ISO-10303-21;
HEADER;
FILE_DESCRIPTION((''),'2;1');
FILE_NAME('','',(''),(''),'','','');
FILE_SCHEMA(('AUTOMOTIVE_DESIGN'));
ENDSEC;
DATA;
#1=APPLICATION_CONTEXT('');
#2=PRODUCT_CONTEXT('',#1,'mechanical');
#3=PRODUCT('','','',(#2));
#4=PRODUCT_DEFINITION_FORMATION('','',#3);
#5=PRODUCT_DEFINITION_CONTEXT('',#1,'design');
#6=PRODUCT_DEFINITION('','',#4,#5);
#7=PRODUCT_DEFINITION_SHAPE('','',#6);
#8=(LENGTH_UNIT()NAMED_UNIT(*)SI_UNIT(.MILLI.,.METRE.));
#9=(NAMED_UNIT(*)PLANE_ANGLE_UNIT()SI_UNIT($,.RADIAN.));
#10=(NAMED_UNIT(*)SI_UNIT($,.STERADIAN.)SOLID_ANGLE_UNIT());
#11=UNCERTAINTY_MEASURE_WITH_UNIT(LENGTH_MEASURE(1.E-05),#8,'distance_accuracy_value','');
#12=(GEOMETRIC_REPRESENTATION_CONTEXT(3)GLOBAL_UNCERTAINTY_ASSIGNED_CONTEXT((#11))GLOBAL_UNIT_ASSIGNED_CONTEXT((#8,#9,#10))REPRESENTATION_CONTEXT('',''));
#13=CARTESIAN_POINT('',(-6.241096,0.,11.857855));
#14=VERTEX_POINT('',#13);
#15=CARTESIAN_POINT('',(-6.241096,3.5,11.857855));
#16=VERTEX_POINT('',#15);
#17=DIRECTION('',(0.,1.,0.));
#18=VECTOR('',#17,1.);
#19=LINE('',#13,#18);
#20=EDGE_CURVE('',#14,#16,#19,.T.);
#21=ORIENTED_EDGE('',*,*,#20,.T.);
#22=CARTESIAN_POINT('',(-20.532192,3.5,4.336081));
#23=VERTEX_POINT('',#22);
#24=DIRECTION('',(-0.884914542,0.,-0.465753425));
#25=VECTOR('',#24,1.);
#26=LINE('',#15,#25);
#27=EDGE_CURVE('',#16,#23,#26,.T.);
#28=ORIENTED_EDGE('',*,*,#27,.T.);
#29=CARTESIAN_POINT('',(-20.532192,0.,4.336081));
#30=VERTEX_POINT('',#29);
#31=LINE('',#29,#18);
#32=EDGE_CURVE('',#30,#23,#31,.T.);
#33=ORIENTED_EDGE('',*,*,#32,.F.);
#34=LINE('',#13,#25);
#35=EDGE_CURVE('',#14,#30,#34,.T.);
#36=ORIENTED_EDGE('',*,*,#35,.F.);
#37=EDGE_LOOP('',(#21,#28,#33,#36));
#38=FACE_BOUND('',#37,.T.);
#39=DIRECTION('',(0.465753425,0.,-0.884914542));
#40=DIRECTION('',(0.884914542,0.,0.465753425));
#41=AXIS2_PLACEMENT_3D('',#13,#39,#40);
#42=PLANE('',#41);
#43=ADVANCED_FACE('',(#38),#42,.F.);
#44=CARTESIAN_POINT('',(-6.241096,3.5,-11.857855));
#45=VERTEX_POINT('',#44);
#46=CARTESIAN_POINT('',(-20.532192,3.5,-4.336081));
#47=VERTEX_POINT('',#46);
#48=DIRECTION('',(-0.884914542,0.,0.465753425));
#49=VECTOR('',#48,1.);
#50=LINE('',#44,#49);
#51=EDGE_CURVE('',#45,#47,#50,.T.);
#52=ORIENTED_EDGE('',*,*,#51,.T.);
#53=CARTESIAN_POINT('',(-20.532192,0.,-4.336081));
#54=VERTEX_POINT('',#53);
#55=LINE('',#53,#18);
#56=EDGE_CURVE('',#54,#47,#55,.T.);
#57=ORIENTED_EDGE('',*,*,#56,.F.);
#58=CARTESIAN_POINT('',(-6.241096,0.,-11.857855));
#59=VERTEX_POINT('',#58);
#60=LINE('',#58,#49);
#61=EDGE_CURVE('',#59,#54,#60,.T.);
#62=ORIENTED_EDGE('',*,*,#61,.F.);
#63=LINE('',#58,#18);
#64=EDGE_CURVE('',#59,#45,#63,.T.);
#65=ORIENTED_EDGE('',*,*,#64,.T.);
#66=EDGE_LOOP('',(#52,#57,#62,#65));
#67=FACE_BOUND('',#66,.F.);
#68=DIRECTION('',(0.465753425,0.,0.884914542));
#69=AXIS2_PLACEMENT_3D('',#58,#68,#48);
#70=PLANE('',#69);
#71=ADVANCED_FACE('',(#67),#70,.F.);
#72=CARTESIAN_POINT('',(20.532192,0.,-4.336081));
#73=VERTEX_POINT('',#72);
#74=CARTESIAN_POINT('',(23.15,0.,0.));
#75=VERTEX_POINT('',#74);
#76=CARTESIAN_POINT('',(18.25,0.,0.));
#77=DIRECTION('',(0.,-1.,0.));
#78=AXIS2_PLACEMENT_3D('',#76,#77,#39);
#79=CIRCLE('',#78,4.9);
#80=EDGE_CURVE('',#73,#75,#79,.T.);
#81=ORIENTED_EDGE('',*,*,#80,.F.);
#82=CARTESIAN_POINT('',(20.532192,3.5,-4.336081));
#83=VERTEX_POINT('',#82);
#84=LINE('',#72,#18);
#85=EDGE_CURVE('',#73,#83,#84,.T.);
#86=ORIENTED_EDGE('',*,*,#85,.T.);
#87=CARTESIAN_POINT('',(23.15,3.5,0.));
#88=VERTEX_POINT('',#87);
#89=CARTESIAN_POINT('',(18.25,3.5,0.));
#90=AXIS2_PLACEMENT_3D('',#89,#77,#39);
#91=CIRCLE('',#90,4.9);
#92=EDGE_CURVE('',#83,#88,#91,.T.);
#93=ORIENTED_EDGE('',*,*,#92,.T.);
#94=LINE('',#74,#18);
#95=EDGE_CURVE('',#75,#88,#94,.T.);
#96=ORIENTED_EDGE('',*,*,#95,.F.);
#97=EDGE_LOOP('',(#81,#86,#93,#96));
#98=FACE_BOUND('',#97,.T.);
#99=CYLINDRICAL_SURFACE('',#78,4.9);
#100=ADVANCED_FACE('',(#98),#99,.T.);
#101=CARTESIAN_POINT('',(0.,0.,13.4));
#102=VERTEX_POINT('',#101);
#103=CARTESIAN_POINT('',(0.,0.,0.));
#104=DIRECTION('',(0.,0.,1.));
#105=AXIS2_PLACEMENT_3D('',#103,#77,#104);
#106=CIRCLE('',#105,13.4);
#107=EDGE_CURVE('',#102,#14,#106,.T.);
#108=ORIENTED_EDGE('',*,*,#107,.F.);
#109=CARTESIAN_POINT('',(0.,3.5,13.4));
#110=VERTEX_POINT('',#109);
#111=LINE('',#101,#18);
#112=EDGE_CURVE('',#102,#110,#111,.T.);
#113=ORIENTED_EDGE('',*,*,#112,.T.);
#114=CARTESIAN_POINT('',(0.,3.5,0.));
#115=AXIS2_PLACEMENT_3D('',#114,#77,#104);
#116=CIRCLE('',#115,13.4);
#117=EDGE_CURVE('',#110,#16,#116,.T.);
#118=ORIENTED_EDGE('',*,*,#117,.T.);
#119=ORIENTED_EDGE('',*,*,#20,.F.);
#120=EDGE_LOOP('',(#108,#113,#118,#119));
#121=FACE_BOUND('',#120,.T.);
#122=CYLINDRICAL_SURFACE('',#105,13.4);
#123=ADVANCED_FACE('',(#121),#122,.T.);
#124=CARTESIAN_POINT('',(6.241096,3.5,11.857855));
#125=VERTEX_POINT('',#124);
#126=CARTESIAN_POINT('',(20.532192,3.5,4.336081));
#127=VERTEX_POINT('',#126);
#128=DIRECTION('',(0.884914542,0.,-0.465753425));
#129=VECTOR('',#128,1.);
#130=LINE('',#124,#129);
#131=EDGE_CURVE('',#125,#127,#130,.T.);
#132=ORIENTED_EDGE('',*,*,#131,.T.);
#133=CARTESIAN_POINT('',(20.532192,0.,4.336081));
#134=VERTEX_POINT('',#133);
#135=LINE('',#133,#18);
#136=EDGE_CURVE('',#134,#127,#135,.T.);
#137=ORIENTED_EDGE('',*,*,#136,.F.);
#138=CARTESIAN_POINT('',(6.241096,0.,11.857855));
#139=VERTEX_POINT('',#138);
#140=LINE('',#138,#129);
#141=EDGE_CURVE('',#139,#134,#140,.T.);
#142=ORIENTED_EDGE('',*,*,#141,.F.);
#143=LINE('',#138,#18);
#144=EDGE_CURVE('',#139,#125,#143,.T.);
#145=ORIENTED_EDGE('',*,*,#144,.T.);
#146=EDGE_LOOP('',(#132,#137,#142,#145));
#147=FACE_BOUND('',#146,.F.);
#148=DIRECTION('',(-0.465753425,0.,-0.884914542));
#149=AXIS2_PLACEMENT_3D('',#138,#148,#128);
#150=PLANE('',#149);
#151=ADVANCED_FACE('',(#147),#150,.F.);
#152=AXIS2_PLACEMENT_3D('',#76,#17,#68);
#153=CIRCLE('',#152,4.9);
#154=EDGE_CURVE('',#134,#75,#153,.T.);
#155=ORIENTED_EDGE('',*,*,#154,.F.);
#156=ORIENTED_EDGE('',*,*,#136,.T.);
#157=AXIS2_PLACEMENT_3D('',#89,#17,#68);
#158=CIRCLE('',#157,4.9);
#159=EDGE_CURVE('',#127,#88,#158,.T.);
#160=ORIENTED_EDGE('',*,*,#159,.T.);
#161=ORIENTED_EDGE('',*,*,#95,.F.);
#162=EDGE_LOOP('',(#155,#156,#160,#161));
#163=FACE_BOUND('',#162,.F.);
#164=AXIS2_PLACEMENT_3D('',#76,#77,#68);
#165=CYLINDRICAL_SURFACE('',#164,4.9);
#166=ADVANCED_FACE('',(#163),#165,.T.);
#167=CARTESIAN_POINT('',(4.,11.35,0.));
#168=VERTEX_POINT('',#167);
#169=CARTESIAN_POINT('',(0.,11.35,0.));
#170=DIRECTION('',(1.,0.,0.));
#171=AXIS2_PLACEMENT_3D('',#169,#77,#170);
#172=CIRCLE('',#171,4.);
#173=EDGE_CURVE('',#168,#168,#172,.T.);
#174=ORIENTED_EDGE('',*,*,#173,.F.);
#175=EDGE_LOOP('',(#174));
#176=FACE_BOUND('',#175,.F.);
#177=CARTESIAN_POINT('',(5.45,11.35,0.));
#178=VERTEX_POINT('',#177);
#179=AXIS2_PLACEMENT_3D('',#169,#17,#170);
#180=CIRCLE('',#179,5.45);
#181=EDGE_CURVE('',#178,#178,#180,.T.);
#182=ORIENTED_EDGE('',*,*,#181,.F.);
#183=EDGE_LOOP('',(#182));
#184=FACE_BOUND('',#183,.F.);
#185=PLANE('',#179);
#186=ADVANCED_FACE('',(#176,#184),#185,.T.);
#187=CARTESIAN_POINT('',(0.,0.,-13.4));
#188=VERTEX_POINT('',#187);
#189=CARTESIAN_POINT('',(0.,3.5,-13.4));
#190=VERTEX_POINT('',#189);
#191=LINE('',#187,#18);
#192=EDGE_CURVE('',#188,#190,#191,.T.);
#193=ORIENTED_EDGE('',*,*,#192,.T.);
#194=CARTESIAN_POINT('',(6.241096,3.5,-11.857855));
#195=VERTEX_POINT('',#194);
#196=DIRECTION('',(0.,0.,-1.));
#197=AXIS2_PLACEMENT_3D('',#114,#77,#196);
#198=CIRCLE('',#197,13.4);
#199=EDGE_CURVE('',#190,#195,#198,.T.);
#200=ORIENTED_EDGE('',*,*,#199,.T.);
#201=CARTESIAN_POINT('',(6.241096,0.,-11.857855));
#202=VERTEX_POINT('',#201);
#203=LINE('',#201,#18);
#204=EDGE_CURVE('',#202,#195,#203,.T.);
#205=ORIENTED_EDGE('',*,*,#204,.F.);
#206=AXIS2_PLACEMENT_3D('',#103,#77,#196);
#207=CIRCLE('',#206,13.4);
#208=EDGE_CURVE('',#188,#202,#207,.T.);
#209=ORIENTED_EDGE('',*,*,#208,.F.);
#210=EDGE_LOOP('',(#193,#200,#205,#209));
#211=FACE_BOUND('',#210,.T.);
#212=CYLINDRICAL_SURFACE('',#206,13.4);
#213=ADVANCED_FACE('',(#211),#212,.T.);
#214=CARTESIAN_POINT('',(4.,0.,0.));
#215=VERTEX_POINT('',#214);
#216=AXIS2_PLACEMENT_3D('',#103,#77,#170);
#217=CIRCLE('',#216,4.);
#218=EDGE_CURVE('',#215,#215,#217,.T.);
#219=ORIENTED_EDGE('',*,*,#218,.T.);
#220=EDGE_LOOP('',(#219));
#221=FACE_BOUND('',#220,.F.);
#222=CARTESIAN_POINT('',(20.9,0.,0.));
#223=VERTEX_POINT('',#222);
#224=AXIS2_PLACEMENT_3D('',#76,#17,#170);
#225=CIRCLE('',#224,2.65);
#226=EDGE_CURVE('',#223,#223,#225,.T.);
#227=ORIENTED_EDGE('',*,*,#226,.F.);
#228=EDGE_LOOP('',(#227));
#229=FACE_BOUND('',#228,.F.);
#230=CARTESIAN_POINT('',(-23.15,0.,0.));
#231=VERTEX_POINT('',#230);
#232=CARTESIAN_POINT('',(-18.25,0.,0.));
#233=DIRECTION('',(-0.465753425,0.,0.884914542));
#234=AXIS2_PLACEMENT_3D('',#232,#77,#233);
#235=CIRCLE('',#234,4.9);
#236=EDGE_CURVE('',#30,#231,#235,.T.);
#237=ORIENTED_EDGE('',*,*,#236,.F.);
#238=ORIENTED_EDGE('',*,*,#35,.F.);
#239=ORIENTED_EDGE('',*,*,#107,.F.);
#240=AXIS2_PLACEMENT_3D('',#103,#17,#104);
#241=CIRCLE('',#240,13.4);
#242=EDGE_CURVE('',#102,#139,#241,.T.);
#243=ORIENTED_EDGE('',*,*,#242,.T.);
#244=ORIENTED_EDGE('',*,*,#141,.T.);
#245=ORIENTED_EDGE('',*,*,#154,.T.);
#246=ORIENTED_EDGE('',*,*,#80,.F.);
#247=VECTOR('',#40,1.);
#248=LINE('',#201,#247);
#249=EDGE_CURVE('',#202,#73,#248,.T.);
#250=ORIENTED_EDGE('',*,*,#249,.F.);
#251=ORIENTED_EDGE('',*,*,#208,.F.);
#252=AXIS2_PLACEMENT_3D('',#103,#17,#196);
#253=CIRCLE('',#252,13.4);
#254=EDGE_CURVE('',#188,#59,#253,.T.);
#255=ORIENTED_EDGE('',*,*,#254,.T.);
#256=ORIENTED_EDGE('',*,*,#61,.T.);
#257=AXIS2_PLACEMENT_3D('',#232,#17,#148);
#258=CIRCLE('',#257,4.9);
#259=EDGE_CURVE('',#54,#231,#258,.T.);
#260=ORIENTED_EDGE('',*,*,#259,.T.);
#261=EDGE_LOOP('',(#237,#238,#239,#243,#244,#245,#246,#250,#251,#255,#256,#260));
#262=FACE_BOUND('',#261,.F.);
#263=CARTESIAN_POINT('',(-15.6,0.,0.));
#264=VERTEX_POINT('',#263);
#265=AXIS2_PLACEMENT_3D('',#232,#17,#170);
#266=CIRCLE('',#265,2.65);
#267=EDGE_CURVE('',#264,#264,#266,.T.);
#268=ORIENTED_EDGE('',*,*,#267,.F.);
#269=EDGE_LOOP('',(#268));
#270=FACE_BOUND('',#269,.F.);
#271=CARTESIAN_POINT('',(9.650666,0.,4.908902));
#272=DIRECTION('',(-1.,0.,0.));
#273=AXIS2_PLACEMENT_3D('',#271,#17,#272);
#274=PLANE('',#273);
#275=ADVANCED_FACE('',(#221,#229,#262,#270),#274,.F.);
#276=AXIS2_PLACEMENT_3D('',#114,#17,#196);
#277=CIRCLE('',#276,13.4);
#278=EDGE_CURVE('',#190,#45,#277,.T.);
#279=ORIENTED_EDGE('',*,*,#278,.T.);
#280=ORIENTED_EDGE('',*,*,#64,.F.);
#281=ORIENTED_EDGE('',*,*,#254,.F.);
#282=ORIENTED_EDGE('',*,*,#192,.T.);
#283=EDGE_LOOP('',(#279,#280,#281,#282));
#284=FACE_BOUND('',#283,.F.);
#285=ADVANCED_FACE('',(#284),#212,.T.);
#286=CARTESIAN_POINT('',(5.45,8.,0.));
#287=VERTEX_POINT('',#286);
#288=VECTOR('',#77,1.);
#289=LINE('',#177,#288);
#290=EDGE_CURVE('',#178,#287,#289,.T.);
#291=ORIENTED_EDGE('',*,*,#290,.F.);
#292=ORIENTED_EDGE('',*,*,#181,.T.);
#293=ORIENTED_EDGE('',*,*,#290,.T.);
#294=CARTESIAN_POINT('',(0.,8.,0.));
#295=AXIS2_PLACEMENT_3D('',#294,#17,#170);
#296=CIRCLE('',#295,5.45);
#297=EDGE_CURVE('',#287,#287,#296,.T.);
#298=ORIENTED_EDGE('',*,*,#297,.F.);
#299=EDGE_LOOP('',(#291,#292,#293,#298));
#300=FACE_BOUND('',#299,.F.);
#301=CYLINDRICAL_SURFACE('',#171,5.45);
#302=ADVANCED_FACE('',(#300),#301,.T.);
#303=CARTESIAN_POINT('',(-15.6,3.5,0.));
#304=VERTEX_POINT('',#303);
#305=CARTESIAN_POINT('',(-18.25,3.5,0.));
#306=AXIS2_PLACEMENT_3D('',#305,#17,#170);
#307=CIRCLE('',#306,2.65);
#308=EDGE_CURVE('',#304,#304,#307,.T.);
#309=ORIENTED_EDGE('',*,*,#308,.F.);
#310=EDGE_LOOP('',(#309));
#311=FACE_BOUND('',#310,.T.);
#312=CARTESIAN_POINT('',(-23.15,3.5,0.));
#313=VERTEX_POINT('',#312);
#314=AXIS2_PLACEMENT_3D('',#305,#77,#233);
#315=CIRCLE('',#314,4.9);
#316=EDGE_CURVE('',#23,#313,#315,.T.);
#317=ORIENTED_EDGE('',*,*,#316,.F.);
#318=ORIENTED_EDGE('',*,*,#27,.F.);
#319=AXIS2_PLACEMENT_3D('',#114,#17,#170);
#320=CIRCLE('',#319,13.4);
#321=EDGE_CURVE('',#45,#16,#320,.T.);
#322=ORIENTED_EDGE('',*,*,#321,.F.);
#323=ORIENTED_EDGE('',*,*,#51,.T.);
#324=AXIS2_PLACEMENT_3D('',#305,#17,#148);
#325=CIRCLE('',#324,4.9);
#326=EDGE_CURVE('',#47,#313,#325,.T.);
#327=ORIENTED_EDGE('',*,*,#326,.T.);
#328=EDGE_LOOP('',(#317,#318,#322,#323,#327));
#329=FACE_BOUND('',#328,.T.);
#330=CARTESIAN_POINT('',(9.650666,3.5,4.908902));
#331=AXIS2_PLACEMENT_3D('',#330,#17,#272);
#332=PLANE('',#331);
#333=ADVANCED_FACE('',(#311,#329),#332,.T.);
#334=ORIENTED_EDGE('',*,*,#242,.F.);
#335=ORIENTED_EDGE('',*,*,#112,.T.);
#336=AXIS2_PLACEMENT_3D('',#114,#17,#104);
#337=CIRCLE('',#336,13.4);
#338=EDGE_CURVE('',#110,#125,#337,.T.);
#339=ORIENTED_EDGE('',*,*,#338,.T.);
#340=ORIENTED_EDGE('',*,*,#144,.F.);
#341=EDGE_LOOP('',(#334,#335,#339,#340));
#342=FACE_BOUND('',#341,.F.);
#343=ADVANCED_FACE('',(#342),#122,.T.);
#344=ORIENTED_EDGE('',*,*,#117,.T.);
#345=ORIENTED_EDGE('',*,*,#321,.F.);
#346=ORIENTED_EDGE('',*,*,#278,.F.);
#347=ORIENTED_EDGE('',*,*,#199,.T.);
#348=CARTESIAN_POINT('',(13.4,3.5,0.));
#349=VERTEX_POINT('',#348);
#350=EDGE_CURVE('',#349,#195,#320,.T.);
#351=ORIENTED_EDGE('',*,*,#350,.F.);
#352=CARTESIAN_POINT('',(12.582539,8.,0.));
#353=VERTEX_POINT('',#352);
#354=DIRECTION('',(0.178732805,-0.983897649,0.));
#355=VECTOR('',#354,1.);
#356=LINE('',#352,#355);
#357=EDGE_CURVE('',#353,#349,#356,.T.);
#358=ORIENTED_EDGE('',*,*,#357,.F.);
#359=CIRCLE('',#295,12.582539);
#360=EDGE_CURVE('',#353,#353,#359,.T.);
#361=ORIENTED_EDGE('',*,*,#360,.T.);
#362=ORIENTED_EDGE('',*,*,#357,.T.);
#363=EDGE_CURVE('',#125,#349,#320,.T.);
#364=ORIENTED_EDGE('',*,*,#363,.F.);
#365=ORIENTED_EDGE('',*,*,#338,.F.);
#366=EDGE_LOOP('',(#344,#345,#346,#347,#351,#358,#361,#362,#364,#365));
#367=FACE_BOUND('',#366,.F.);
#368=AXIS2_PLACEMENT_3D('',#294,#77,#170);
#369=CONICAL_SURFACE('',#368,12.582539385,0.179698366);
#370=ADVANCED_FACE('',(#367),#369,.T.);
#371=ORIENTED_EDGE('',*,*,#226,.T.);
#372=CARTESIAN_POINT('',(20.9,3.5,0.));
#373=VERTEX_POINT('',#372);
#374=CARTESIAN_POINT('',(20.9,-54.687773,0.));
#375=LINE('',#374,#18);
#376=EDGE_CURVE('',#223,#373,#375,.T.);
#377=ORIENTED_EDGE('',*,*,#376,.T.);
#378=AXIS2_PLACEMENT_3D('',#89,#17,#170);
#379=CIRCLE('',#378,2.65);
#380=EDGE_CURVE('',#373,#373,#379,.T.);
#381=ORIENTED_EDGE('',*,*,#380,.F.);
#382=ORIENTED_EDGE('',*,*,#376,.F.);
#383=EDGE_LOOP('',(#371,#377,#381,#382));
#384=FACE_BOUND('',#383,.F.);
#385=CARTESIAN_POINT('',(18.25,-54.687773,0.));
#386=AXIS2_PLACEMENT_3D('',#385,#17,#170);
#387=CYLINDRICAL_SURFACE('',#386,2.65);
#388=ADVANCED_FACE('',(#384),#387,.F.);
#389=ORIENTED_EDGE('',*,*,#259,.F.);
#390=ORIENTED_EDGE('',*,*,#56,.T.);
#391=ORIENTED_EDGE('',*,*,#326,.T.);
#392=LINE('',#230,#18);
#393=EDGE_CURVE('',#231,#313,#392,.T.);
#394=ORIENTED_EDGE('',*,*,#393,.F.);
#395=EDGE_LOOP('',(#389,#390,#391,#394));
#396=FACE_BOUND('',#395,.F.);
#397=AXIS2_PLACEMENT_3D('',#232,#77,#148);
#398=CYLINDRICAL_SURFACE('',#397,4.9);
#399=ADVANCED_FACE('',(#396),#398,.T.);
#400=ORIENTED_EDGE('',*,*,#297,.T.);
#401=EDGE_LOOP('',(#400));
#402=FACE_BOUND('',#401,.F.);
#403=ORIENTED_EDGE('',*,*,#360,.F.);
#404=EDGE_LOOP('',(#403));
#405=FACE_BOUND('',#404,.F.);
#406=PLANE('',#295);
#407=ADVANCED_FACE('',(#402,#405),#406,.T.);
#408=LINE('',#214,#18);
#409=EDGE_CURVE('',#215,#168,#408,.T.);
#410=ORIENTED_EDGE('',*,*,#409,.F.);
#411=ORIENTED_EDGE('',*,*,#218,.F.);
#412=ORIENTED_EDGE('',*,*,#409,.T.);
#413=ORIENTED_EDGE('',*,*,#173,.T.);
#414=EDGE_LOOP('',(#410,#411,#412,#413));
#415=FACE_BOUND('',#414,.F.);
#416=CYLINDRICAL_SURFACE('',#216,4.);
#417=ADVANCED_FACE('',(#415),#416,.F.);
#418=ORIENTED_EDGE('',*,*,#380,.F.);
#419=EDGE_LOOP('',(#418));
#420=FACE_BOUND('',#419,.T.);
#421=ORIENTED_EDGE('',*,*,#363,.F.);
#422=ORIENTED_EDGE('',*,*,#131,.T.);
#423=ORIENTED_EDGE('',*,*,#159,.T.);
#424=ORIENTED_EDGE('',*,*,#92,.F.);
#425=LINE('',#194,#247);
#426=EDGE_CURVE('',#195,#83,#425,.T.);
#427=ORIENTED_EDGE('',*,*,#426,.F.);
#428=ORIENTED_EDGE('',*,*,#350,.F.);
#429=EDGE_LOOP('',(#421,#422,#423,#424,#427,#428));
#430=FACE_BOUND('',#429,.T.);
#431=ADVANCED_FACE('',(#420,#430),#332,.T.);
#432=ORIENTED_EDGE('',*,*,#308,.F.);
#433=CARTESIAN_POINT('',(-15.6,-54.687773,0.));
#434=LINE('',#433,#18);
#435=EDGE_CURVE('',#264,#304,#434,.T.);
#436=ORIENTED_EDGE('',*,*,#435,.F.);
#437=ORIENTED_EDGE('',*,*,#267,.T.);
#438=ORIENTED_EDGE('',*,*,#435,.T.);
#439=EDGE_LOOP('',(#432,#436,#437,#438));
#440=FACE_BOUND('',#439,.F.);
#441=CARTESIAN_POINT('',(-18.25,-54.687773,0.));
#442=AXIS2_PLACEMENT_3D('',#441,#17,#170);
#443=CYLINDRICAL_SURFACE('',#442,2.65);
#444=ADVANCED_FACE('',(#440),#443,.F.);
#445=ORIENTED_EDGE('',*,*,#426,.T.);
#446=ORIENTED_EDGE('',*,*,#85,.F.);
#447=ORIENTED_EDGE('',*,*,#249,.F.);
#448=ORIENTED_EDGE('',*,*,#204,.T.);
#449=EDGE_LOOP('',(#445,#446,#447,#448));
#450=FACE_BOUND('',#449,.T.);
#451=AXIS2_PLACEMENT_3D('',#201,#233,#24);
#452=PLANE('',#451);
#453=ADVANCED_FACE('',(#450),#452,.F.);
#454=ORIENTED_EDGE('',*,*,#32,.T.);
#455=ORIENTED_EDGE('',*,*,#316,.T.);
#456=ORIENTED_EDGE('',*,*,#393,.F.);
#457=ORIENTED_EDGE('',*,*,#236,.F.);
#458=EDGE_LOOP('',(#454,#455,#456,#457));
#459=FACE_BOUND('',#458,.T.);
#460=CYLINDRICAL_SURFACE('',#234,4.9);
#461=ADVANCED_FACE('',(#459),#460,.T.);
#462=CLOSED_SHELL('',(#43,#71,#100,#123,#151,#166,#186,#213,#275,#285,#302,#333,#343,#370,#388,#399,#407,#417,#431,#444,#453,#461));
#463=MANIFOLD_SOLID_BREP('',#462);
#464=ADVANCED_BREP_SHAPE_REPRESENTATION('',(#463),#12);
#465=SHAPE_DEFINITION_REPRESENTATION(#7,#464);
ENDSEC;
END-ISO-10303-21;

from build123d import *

# Parameters (mm, degrees)
BOSS_EXTRUDE1_DEPTH  = 3.5
SKETCH3_R            = 4
CUT_EXTRUDE1_DEPTH   = 12.35
M5_CLEARANCE_HOLE1_D = 5.3


with BuildPart() as part:
    # Sketch1 → Boss-Extrude1 (new body)
    with BuildSketch(Plane(origin=(0, 0, 0), x_dir=(1, 0, 0), z_dir=(0, 1, 0))):
        with BuildLine():
            Line((-23.15, 0), (0, 0))
            Line((0, 0), (0, 13.4))
            ThreePointArc((0, 13.4), (-3.214400781, 13.008751962), (-6.24109589, 11.857854869))
            Line((-6.24109589, 11.857854869), (-20.532191781, 4.336081258))
            ThreePointArc((-20.532191781, 4.336081258), (-22.44480272, 2.532514588), (-23.15, 0))
        make_face()
    extrude(amount=BOSS_EXTRUDE1_DEPTH)

    # Mirror3: part across plane


with BuildPart() as part_1:
    add(part.part)
    add(part.part.mirror(Plane(origin=(0, 3.5, 0), x_dir=(0, 0, 1), z_dir=(-1, 0, 0))))

    # Mirror4: part across plane


with BuildPart() as part_2:
    add(part_1.part)
    add(part_1.part.mirror(Plane(origin=(-23.15, 3.5, 0), x_dir=(1, 0, 0), z_dir=(0, 0, -1))))

    # Sketch2 → Revolve1 (revolve)
    with BuildSketch(Plane.XY):
        Polygon((0, 0), (0, 11.35), (5.44999985, 11.35), (5.44999985, 7.99999976), (12.582539385, 7.99999976), (13.4, 3.5), (13.4, 0), align=None)
    revolve(axis=Axis((0, 0, 0), (0, 1, 0)))

    # Sketch3 → Cut-Extrude1 (cut, through all)
    with BuildSketch(Plane.XZ):
        Circle(SKETCH3_R)
    extrude(amount=-CUT_EXTRUDE1_DEPTH, mode=Mode.SUBTRACT)

    # M5 Clearance Hole1 (through all)
    with Locations(Plane(origin=(0, 0, 0), x_dir=(-1, 0, 0), z_dir=(0, -1, 0))):
        with Locations((18.25, 0), (-18.25, 0)):
            Hole(M5_CLEARANCE_HOLE1_D / 2)


solid = part_2.part
